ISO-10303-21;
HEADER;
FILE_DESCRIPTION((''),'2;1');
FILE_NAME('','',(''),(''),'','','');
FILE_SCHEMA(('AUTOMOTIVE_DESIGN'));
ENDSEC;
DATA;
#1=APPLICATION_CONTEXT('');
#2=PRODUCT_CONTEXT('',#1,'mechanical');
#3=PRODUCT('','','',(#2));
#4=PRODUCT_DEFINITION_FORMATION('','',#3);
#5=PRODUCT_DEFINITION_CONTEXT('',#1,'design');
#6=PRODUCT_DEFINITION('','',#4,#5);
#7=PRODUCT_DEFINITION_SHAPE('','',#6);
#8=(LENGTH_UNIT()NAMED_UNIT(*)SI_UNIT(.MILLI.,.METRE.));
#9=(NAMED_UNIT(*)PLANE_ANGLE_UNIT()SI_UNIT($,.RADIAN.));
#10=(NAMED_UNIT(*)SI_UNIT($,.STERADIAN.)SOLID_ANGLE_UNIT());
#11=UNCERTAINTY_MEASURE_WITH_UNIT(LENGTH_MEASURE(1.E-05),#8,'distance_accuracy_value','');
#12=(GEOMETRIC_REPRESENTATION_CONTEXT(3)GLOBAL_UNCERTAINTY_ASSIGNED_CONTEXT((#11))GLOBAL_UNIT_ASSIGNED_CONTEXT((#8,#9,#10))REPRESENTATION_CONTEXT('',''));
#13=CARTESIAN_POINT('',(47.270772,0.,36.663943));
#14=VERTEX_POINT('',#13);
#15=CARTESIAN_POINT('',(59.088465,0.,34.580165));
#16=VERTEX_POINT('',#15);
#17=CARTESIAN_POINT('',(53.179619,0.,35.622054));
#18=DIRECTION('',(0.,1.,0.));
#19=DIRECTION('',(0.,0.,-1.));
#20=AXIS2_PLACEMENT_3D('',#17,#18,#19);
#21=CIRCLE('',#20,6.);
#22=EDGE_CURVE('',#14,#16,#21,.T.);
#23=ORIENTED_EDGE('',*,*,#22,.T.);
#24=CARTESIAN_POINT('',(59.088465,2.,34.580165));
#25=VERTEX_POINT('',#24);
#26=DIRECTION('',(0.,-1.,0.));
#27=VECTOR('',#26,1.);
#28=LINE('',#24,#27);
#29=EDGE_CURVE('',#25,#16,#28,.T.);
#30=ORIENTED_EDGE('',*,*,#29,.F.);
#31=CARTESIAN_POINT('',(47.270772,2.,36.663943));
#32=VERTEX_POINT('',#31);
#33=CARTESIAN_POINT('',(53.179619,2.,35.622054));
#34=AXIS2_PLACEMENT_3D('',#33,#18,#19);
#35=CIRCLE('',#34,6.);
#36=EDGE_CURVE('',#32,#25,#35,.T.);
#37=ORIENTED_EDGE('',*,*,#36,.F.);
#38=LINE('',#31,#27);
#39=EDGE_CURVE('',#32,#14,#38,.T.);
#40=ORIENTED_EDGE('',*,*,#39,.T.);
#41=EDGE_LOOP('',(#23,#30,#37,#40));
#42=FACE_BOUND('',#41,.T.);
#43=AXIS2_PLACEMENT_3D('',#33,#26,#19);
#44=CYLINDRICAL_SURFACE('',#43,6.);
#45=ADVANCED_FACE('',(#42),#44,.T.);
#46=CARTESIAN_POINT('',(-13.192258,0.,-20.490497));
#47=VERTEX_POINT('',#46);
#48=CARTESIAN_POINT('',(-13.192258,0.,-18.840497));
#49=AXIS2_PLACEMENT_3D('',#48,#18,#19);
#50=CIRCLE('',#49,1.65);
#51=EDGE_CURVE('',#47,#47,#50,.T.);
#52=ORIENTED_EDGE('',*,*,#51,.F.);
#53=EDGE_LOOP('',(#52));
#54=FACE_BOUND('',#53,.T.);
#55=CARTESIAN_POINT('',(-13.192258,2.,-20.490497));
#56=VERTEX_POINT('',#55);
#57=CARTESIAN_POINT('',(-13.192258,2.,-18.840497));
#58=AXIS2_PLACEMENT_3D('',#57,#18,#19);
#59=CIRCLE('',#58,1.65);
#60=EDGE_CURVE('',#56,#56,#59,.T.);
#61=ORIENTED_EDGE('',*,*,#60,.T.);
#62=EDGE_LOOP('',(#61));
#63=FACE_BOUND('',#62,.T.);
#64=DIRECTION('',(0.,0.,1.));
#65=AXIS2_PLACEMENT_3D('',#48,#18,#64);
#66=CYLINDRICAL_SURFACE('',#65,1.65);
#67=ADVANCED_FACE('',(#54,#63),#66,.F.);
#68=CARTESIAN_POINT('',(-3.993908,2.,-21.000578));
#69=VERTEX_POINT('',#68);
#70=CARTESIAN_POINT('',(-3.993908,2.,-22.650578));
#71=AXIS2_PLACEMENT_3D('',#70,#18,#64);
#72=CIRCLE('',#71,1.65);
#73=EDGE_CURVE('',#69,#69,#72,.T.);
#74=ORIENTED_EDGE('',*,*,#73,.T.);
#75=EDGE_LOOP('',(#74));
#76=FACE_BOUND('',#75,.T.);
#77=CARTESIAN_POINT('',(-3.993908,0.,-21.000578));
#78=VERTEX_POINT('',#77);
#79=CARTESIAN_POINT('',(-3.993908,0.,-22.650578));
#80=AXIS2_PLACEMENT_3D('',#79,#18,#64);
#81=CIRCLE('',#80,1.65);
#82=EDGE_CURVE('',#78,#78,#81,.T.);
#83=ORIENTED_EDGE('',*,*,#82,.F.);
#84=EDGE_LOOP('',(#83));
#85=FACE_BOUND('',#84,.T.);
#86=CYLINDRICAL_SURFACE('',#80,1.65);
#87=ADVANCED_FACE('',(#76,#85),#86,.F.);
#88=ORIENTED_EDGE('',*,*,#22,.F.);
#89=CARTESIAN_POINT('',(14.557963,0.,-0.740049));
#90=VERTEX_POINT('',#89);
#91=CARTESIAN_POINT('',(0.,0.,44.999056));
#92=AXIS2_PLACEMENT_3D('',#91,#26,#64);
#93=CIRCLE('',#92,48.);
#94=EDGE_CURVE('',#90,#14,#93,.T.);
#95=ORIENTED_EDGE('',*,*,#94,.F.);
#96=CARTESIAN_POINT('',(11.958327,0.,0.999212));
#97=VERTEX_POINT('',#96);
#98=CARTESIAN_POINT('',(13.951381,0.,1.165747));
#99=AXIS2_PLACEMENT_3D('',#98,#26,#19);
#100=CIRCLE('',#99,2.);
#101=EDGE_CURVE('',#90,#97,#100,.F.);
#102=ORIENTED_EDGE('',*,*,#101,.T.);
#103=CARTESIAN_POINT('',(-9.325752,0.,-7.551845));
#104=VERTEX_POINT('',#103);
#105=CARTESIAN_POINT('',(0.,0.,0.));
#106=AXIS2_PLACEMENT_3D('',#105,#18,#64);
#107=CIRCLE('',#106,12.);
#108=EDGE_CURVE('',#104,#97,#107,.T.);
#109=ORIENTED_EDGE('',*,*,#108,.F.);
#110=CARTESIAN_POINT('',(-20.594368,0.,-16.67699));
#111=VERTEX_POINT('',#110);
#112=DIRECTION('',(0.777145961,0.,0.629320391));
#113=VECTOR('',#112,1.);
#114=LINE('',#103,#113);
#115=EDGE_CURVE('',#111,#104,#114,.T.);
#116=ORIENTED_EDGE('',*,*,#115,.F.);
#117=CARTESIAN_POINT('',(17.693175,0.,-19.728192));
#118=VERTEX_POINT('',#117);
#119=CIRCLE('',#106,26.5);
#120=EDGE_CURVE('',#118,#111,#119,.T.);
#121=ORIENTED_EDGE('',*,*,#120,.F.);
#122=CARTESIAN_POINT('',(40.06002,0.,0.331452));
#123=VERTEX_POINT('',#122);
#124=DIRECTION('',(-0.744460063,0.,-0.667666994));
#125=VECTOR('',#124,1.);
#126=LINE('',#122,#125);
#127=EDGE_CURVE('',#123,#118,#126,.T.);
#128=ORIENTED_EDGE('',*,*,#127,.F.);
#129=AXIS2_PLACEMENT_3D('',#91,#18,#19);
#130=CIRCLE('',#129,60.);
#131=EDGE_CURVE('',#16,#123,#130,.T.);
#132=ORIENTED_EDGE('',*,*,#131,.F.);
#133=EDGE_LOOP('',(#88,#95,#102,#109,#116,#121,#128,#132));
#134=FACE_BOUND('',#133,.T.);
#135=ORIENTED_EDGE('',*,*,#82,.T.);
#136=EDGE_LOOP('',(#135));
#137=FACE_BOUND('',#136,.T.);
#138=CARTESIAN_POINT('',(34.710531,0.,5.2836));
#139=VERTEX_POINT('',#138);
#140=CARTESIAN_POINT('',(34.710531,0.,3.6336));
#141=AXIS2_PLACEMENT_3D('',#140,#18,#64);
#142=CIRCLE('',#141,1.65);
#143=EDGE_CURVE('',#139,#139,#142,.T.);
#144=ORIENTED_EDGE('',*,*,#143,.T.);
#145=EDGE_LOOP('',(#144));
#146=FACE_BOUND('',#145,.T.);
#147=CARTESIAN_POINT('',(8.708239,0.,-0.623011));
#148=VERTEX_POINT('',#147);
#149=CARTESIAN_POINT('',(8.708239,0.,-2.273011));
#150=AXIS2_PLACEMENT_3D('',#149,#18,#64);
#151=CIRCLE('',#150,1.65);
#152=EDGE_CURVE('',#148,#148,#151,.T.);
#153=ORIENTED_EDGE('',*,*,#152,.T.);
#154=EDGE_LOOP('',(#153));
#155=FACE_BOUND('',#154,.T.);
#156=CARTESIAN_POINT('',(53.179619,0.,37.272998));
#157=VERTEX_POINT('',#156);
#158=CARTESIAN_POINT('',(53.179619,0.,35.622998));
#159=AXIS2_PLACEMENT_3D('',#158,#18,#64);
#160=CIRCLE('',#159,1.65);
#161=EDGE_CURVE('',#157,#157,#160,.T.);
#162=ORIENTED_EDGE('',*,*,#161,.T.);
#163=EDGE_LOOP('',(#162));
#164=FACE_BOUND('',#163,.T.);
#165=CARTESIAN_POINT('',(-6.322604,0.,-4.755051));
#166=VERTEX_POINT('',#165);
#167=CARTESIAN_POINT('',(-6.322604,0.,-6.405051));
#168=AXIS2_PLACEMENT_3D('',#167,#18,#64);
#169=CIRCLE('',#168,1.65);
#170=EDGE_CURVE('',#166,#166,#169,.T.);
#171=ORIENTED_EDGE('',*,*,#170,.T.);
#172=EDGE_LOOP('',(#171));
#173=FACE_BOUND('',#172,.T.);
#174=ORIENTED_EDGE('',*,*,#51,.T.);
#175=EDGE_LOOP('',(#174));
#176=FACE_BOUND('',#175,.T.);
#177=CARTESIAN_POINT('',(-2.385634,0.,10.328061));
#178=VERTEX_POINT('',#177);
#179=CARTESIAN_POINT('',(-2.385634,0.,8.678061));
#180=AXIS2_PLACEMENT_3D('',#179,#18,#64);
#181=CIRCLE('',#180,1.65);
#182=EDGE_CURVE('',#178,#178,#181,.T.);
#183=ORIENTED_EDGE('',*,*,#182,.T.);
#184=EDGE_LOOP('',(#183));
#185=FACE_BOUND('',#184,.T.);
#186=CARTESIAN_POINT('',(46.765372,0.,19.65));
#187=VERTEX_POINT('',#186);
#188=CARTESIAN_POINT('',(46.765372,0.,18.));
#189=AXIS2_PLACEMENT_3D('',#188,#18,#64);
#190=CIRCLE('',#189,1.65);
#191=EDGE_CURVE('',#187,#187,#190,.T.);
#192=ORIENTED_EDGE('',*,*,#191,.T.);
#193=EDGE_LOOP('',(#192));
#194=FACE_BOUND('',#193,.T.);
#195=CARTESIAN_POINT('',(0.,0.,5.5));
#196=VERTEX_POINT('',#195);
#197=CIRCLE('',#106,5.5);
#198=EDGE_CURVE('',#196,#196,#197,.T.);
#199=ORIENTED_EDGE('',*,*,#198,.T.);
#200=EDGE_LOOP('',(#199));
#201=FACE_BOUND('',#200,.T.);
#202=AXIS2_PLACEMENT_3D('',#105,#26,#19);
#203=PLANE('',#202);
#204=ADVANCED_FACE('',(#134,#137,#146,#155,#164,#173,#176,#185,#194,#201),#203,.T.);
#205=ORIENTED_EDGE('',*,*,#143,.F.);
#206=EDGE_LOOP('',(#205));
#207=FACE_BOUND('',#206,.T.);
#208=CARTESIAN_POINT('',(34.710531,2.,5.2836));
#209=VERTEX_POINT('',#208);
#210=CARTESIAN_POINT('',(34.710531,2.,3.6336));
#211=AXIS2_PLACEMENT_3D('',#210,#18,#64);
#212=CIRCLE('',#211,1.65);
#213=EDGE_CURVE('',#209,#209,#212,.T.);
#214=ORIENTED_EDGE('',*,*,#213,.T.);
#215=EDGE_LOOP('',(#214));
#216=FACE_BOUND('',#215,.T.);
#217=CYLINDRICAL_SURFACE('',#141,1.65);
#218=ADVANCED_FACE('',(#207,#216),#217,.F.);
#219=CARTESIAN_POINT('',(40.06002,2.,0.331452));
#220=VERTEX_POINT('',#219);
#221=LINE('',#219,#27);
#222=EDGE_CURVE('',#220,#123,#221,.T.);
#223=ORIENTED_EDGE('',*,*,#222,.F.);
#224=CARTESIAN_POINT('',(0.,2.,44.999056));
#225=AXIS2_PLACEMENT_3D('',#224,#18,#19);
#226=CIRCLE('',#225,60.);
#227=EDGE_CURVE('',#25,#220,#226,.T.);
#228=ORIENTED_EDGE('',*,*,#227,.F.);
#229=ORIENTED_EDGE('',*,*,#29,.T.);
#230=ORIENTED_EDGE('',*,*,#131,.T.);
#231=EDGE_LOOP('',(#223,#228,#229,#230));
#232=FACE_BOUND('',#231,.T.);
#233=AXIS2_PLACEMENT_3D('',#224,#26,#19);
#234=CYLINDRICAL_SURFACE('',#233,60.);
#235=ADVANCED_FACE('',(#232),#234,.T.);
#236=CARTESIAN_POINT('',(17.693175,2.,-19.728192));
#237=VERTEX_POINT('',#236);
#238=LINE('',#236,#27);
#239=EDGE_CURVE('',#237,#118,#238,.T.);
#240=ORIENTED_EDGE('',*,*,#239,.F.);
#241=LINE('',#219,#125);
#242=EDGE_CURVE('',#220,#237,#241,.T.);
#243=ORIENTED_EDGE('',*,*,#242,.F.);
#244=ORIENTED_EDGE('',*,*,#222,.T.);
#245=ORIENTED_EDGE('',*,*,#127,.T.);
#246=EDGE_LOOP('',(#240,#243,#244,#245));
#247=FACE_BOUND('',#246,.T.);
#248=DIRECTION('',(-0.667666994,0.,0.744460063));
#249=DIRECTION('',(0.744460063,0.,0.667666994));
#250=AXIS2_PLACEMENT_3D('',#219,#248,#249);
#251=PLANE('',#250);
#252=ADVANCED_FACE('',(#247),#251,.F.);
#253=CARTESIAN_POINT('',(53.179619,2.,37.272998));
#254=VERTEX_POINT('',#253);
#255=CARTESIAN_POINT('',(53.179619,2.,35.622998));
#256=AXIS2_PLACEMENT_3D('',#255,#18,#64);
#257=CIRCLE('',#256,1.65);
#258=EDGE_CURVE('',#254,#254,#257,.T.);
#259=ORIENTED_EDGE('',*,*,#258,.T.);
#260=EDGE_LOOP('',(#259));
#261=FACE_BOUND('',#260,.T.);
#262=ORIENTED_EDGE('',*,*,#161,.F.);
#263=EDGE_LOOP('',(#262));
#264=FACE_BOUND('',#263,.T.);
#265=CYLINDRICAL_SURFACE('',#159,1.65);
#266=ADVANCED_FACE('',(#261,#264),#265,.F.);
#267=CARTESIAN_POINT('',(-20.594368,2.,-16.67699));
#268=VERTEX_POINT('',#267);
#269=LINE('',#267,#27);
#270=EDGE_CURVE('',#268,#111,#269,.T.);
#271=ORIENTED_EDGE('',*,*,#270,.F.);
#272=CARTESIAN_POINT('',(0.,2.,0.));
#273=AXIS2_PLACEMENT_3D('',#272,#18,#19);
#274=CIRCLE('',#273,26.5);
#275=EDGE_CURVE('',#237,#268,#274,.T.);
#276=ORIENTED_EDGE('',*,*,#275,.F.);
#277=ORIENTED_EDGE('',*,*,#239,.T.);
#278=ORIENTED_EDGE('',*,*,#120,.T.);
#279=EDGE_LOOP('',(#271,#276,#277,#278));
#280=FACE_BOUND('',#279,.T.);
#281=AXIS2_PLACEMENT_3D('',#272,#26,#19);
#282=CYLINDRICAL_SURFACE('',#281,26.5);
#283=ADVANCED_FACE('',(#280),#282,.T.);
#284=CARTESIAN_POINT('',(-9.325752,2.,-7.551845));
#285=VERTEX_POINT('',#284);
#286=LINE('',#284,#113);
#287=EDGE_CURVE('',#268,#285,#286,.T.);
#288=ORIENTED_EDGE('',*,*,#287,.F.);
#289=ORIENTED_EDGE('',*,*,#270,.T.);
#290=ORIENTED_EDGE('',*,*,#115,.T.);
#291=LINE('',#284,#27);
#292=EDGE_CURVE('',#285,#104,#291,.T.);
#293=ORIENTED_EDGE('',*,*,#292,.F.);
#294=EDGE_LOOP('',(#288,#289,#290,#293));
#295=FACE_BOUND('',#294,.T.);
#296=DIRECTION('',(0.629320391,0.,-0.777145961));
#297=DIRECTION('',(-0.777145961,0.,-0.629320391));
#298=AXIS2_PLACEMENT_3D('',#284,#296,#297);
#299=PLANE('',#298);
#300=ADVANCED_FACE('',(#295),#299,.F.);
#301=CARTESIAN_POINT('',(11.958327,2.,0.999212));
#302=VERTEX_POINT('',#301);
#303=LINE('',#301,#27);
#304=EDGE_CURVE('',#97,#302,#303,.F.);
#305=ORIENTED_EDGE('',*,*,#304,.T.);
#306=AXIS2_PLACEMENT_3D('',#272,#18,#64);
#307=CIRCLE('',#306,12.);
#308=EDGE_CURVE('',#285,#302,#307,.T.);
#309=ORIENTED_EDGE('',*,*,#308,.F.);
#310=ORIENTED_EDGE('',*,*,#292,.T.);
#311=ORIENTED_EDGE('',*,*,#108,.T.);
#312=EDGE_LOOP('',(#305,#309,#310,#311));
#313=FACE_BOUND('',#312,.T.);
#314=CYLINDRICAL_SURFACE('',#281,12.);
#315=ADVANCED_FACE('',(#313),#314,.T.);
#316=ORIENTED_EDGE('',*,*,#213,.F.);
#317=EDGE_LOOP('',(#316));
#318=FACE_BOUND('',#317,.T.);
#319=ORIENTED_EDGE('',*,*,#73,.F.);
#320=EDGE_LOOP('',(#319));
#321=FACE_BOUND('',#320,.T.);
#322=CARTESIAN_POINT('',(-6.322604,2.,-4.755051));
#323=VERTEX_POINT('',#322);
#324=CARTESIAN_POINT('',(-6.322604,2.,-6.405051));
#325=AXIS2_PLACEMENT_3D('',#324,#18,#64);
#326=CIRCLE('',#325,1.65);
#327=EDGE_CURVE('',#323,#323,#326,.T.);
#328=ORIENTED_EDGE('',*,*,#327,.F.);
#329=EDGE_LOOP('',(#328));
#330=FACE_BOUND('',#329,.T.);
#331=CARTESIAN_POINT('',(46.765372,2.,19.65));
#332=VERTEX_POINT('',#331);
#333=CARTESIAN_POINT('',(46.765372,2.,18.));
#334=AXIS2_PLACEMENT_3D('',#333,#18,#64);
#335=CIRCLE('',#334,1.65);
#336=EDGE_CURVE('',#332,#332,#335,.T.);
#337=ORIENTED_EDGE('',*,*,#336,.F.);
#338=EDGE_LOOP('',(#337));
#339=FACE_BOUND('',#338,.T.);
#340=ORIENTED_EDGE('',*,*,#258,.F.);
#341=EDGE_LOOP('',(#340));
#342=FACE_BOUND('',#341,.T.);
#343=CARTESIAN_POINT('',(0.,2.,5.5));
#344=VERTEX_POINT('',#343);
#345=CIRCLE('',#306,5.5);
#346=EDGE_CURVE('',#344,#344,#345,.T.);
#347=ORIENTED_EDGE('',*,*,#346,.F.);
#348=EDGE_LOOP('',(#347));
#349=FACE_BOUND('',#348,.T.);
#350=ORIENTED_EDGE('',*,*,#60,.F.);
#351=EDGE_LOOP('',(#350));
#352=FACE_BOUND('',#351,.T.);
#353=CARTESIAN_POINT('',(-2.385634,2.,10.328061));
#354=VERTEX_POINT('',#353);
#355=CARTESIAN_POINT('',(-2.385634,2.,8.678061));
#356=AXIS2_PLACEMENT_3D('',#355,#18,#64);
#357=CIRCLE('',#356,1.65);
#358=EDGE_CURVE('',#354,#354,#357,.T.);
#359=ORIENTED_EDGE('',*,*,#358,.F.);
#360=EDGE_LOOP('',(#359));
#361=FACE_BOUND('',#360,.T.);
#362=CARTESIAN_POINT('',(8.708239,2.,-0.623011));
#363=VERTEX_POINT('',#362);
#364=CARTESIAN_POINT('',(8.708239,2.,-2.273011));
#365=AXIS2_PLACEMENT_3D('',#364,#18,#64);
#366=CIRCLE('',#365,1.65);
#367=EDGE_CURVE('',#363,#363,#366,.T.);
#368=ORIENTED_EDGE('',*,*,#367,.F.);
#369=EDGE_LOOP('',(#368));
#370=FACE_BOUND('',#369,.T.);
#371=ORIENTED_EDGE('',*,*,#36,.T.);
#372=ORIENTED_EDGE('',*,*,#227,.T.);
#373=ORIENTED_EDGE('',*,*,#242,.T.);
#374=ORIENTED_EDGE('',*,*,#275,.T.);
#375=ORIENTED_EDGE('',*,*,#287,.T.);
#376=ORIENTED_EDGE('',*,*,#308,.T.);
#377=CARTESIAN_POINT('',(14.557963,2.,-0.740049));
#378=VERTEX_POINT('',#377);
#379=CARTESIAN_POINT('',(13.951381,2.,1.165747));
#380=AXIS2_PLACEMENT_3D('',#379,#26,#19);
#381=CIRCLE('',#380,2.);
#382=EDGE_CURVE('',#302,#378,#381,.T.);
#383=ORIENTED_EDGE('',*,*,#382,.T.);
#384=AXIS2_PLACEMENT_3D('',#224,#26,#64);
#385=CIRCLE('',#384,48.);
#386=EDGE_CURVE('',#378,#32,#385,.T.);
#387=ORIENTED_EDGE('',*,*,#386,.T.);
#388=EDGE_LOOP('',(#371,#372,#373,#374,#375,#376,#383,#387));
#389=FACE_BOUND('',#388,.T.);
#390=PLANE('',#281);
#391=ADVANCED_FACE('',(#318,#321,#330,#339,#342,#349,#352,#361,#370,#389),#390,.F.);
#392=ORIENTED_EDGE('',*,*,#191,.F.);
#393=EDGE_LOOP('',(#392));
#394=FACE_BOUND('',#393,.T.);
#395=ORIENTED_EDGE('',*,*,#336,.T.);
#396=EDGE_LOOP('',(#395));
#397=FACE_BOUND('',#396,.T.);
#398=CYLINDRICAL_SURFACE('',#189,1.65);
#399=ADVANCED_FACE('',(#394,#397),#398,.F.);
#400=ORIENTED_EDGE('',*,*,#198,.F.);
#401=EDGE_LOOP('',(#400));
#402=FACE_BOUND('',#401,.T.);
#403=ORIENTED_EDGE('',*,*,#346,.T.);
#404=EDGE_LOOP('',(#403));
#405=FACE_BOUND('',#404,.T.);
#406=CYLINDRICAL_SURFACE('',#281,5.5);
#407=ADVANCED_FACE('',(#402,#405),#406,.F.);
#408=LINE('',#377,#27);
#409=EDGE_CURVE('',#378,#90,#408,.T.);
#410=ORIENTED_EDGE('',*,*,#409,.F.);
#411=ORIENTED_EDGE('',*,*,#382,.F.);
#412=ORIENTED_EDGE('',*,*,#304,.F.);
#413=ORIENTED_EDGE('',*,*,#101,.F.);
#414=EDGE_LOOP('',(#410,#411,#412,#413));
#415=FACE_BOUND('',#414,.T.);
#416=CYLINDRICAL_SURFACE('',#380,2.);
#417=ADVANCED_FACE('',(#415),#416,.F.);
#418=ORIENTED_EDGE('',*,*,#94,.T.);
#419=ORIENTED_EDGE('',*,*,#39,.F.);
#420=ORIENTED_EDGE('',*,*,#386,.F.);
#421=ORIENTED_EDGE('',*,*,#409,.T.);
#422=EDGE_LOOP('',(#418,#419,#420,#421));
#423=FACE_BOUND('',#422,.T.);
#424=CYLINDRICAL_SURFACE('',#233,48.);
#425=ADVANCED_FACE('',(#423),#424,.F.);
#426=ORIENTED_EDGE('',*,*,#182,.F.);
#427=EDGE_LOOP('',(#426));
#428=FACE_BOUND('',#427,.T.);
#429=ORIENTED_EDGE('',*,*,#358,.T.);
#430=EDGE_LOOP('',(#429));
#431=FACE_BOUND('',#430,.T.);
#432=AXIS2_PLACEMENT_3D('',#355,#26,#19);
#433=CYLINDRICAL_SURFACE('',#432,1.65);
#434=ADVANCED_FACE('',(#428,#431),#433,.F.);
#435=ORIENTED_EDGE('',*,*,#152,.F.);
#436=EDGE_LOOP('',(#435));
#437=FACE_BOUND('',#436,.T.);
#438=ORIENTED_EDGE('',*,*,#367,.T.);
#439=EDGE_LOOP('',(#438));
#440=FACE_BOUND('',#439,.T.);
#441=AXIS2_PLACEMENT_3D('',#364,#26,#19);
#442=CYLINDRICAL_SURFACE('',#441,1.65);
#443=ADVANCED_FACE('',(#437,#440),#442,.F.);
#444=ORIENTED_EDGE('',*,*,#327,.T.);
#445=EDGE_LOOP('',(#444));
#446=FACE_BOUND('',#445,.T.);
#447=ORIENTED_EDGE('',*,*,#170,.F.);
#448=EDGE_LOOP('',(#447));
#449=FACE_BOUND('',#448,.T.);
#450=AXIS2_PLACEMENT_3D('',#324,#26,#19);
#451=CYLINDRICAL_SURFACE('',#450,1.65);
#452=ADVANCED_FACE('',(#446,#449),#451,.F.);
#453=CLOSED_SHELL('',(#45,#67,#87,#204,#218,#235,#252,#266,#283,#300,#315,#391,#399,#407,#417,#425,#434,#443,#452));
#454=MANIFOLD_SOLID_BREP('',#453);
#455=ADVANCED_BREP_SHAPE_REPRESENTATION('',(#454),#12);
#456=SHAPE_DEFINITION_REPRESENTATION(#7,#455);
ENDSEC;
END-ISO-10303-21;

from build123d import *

# Parameters (mm, degrees)
SKETCH_1_R          = 1.65
SKETCH_1_R_2        = 5.5
EXTRUDE_1_DEPTH     = 2
SKETCH_2_R          = 1.65
CUT_EXTRUDE_2_DEPTH = 73.378330115
FILLET_1_R          = 2


with BuildPart() as part:
    # Эскиз1 → Бобышка-Вытянуть1 (new body)
    with BuildSketch(Plane(origin=(0, 0, 0), x_dir=(1, 0, 0), z_dir=(0, 1, 0))):
        with BuildLine():
            Line((-9.325751537, 7.551844693), (-20.594367979, 16.676990363))
            ThreePointArc((-20.594367979, 16.676990363), (-11.408544065, 23.918510035), (0, 26.5))
            ThreePointArc((0, 26.5), (9.472405203, 24.74921291), (17.693175332, 19.728191673))
            Line((17.693175332, 19.728191673), (40.060019619, -0.331452118))
            ThreePointArc((40.060019619, -0.331452118), (52.448537608, -15.858861968), (59.088465181, -34.580165246))
            ThreePointArc((59.088465181, -34.580165246), (54.221507729, -41.53090083), (47.270772145, -36.663943378))
            ThreePointArc((47.270772145, -36.663943378), (35.208034426, -12.373999402), (11.905757948, 1.500975575))
            ThreePointArc((11.905757948, 1.500975575), (-3.288975911, -11.540478216), (-9.325751537, 7.551844693))
        make_face()
        with Locations(Location((-6.322604321, 6.40505071, 0), (0, 0, 270))):
            Circle(SKETCH_1_R, mode=Mode.SUBTRACT)
        with Locations(Location((0, 0, 0), (0, 0, 270))):
            Circle(SKETCH_1_R_2, mode=Mode.SUBTRACT)
        with Locations(Location((8.708238788, 2.273010605, 0), (0, 0, 270))):
            Circle(SKETCH_1_R, mode=Mode.SUBTRACT)
        with Locations(Location((-2.385634467, -8.678061315, 0), (0, 0, 270))):
            Circle(SKETCH_1_R, mode=Mode.SUBTRACT)
    extrude(amount=EXTRUDE_1_DEPTH)

    # Эскиз2 → Вырез-Вытянуть2 (cut, through all)
    with BuildSketch(Plane(origin=(0, 2, 0), x_dir=(1, 0, 0), z_dir=(0, 1, 0))):
        with Locations(Location((-3.993908086, 22.650578319, 0), (0, 0, 270))):
            Circle(SKETCH_2_R)
        with Locations(Location((-13.192258036, 18.840497019, 0), (0, 0, 90))):
            Circle(SKETCH_2_R)
        with Locations(Location((46.765371804, -18, 0), (0, 0, 270))):
            Circle(SKETCH_2_R)
        with Locations(Location((53.179618663, -35.622998406, 0), (0, 0, 270))):
            Circle(SKETCH_2_R)
        with Locations(Location((34.710530923, -3.633600072, 0), (0, 0, 270))):
            Circle(SKETCH_2_R)
    extrude(amount=-CUT_EXTRUDE_2_DEPTH, mode=Mode.SUBTRACT)

    # Скругление1
    fillet_1_edges = [part.edges().sort_by_distance(p)[0] for p in [
        (11.905757948, 1, -1.500975575),
    ]]
    fillet(fillet_1_edges, radius=FILLET_1_R)


solid = part.part
